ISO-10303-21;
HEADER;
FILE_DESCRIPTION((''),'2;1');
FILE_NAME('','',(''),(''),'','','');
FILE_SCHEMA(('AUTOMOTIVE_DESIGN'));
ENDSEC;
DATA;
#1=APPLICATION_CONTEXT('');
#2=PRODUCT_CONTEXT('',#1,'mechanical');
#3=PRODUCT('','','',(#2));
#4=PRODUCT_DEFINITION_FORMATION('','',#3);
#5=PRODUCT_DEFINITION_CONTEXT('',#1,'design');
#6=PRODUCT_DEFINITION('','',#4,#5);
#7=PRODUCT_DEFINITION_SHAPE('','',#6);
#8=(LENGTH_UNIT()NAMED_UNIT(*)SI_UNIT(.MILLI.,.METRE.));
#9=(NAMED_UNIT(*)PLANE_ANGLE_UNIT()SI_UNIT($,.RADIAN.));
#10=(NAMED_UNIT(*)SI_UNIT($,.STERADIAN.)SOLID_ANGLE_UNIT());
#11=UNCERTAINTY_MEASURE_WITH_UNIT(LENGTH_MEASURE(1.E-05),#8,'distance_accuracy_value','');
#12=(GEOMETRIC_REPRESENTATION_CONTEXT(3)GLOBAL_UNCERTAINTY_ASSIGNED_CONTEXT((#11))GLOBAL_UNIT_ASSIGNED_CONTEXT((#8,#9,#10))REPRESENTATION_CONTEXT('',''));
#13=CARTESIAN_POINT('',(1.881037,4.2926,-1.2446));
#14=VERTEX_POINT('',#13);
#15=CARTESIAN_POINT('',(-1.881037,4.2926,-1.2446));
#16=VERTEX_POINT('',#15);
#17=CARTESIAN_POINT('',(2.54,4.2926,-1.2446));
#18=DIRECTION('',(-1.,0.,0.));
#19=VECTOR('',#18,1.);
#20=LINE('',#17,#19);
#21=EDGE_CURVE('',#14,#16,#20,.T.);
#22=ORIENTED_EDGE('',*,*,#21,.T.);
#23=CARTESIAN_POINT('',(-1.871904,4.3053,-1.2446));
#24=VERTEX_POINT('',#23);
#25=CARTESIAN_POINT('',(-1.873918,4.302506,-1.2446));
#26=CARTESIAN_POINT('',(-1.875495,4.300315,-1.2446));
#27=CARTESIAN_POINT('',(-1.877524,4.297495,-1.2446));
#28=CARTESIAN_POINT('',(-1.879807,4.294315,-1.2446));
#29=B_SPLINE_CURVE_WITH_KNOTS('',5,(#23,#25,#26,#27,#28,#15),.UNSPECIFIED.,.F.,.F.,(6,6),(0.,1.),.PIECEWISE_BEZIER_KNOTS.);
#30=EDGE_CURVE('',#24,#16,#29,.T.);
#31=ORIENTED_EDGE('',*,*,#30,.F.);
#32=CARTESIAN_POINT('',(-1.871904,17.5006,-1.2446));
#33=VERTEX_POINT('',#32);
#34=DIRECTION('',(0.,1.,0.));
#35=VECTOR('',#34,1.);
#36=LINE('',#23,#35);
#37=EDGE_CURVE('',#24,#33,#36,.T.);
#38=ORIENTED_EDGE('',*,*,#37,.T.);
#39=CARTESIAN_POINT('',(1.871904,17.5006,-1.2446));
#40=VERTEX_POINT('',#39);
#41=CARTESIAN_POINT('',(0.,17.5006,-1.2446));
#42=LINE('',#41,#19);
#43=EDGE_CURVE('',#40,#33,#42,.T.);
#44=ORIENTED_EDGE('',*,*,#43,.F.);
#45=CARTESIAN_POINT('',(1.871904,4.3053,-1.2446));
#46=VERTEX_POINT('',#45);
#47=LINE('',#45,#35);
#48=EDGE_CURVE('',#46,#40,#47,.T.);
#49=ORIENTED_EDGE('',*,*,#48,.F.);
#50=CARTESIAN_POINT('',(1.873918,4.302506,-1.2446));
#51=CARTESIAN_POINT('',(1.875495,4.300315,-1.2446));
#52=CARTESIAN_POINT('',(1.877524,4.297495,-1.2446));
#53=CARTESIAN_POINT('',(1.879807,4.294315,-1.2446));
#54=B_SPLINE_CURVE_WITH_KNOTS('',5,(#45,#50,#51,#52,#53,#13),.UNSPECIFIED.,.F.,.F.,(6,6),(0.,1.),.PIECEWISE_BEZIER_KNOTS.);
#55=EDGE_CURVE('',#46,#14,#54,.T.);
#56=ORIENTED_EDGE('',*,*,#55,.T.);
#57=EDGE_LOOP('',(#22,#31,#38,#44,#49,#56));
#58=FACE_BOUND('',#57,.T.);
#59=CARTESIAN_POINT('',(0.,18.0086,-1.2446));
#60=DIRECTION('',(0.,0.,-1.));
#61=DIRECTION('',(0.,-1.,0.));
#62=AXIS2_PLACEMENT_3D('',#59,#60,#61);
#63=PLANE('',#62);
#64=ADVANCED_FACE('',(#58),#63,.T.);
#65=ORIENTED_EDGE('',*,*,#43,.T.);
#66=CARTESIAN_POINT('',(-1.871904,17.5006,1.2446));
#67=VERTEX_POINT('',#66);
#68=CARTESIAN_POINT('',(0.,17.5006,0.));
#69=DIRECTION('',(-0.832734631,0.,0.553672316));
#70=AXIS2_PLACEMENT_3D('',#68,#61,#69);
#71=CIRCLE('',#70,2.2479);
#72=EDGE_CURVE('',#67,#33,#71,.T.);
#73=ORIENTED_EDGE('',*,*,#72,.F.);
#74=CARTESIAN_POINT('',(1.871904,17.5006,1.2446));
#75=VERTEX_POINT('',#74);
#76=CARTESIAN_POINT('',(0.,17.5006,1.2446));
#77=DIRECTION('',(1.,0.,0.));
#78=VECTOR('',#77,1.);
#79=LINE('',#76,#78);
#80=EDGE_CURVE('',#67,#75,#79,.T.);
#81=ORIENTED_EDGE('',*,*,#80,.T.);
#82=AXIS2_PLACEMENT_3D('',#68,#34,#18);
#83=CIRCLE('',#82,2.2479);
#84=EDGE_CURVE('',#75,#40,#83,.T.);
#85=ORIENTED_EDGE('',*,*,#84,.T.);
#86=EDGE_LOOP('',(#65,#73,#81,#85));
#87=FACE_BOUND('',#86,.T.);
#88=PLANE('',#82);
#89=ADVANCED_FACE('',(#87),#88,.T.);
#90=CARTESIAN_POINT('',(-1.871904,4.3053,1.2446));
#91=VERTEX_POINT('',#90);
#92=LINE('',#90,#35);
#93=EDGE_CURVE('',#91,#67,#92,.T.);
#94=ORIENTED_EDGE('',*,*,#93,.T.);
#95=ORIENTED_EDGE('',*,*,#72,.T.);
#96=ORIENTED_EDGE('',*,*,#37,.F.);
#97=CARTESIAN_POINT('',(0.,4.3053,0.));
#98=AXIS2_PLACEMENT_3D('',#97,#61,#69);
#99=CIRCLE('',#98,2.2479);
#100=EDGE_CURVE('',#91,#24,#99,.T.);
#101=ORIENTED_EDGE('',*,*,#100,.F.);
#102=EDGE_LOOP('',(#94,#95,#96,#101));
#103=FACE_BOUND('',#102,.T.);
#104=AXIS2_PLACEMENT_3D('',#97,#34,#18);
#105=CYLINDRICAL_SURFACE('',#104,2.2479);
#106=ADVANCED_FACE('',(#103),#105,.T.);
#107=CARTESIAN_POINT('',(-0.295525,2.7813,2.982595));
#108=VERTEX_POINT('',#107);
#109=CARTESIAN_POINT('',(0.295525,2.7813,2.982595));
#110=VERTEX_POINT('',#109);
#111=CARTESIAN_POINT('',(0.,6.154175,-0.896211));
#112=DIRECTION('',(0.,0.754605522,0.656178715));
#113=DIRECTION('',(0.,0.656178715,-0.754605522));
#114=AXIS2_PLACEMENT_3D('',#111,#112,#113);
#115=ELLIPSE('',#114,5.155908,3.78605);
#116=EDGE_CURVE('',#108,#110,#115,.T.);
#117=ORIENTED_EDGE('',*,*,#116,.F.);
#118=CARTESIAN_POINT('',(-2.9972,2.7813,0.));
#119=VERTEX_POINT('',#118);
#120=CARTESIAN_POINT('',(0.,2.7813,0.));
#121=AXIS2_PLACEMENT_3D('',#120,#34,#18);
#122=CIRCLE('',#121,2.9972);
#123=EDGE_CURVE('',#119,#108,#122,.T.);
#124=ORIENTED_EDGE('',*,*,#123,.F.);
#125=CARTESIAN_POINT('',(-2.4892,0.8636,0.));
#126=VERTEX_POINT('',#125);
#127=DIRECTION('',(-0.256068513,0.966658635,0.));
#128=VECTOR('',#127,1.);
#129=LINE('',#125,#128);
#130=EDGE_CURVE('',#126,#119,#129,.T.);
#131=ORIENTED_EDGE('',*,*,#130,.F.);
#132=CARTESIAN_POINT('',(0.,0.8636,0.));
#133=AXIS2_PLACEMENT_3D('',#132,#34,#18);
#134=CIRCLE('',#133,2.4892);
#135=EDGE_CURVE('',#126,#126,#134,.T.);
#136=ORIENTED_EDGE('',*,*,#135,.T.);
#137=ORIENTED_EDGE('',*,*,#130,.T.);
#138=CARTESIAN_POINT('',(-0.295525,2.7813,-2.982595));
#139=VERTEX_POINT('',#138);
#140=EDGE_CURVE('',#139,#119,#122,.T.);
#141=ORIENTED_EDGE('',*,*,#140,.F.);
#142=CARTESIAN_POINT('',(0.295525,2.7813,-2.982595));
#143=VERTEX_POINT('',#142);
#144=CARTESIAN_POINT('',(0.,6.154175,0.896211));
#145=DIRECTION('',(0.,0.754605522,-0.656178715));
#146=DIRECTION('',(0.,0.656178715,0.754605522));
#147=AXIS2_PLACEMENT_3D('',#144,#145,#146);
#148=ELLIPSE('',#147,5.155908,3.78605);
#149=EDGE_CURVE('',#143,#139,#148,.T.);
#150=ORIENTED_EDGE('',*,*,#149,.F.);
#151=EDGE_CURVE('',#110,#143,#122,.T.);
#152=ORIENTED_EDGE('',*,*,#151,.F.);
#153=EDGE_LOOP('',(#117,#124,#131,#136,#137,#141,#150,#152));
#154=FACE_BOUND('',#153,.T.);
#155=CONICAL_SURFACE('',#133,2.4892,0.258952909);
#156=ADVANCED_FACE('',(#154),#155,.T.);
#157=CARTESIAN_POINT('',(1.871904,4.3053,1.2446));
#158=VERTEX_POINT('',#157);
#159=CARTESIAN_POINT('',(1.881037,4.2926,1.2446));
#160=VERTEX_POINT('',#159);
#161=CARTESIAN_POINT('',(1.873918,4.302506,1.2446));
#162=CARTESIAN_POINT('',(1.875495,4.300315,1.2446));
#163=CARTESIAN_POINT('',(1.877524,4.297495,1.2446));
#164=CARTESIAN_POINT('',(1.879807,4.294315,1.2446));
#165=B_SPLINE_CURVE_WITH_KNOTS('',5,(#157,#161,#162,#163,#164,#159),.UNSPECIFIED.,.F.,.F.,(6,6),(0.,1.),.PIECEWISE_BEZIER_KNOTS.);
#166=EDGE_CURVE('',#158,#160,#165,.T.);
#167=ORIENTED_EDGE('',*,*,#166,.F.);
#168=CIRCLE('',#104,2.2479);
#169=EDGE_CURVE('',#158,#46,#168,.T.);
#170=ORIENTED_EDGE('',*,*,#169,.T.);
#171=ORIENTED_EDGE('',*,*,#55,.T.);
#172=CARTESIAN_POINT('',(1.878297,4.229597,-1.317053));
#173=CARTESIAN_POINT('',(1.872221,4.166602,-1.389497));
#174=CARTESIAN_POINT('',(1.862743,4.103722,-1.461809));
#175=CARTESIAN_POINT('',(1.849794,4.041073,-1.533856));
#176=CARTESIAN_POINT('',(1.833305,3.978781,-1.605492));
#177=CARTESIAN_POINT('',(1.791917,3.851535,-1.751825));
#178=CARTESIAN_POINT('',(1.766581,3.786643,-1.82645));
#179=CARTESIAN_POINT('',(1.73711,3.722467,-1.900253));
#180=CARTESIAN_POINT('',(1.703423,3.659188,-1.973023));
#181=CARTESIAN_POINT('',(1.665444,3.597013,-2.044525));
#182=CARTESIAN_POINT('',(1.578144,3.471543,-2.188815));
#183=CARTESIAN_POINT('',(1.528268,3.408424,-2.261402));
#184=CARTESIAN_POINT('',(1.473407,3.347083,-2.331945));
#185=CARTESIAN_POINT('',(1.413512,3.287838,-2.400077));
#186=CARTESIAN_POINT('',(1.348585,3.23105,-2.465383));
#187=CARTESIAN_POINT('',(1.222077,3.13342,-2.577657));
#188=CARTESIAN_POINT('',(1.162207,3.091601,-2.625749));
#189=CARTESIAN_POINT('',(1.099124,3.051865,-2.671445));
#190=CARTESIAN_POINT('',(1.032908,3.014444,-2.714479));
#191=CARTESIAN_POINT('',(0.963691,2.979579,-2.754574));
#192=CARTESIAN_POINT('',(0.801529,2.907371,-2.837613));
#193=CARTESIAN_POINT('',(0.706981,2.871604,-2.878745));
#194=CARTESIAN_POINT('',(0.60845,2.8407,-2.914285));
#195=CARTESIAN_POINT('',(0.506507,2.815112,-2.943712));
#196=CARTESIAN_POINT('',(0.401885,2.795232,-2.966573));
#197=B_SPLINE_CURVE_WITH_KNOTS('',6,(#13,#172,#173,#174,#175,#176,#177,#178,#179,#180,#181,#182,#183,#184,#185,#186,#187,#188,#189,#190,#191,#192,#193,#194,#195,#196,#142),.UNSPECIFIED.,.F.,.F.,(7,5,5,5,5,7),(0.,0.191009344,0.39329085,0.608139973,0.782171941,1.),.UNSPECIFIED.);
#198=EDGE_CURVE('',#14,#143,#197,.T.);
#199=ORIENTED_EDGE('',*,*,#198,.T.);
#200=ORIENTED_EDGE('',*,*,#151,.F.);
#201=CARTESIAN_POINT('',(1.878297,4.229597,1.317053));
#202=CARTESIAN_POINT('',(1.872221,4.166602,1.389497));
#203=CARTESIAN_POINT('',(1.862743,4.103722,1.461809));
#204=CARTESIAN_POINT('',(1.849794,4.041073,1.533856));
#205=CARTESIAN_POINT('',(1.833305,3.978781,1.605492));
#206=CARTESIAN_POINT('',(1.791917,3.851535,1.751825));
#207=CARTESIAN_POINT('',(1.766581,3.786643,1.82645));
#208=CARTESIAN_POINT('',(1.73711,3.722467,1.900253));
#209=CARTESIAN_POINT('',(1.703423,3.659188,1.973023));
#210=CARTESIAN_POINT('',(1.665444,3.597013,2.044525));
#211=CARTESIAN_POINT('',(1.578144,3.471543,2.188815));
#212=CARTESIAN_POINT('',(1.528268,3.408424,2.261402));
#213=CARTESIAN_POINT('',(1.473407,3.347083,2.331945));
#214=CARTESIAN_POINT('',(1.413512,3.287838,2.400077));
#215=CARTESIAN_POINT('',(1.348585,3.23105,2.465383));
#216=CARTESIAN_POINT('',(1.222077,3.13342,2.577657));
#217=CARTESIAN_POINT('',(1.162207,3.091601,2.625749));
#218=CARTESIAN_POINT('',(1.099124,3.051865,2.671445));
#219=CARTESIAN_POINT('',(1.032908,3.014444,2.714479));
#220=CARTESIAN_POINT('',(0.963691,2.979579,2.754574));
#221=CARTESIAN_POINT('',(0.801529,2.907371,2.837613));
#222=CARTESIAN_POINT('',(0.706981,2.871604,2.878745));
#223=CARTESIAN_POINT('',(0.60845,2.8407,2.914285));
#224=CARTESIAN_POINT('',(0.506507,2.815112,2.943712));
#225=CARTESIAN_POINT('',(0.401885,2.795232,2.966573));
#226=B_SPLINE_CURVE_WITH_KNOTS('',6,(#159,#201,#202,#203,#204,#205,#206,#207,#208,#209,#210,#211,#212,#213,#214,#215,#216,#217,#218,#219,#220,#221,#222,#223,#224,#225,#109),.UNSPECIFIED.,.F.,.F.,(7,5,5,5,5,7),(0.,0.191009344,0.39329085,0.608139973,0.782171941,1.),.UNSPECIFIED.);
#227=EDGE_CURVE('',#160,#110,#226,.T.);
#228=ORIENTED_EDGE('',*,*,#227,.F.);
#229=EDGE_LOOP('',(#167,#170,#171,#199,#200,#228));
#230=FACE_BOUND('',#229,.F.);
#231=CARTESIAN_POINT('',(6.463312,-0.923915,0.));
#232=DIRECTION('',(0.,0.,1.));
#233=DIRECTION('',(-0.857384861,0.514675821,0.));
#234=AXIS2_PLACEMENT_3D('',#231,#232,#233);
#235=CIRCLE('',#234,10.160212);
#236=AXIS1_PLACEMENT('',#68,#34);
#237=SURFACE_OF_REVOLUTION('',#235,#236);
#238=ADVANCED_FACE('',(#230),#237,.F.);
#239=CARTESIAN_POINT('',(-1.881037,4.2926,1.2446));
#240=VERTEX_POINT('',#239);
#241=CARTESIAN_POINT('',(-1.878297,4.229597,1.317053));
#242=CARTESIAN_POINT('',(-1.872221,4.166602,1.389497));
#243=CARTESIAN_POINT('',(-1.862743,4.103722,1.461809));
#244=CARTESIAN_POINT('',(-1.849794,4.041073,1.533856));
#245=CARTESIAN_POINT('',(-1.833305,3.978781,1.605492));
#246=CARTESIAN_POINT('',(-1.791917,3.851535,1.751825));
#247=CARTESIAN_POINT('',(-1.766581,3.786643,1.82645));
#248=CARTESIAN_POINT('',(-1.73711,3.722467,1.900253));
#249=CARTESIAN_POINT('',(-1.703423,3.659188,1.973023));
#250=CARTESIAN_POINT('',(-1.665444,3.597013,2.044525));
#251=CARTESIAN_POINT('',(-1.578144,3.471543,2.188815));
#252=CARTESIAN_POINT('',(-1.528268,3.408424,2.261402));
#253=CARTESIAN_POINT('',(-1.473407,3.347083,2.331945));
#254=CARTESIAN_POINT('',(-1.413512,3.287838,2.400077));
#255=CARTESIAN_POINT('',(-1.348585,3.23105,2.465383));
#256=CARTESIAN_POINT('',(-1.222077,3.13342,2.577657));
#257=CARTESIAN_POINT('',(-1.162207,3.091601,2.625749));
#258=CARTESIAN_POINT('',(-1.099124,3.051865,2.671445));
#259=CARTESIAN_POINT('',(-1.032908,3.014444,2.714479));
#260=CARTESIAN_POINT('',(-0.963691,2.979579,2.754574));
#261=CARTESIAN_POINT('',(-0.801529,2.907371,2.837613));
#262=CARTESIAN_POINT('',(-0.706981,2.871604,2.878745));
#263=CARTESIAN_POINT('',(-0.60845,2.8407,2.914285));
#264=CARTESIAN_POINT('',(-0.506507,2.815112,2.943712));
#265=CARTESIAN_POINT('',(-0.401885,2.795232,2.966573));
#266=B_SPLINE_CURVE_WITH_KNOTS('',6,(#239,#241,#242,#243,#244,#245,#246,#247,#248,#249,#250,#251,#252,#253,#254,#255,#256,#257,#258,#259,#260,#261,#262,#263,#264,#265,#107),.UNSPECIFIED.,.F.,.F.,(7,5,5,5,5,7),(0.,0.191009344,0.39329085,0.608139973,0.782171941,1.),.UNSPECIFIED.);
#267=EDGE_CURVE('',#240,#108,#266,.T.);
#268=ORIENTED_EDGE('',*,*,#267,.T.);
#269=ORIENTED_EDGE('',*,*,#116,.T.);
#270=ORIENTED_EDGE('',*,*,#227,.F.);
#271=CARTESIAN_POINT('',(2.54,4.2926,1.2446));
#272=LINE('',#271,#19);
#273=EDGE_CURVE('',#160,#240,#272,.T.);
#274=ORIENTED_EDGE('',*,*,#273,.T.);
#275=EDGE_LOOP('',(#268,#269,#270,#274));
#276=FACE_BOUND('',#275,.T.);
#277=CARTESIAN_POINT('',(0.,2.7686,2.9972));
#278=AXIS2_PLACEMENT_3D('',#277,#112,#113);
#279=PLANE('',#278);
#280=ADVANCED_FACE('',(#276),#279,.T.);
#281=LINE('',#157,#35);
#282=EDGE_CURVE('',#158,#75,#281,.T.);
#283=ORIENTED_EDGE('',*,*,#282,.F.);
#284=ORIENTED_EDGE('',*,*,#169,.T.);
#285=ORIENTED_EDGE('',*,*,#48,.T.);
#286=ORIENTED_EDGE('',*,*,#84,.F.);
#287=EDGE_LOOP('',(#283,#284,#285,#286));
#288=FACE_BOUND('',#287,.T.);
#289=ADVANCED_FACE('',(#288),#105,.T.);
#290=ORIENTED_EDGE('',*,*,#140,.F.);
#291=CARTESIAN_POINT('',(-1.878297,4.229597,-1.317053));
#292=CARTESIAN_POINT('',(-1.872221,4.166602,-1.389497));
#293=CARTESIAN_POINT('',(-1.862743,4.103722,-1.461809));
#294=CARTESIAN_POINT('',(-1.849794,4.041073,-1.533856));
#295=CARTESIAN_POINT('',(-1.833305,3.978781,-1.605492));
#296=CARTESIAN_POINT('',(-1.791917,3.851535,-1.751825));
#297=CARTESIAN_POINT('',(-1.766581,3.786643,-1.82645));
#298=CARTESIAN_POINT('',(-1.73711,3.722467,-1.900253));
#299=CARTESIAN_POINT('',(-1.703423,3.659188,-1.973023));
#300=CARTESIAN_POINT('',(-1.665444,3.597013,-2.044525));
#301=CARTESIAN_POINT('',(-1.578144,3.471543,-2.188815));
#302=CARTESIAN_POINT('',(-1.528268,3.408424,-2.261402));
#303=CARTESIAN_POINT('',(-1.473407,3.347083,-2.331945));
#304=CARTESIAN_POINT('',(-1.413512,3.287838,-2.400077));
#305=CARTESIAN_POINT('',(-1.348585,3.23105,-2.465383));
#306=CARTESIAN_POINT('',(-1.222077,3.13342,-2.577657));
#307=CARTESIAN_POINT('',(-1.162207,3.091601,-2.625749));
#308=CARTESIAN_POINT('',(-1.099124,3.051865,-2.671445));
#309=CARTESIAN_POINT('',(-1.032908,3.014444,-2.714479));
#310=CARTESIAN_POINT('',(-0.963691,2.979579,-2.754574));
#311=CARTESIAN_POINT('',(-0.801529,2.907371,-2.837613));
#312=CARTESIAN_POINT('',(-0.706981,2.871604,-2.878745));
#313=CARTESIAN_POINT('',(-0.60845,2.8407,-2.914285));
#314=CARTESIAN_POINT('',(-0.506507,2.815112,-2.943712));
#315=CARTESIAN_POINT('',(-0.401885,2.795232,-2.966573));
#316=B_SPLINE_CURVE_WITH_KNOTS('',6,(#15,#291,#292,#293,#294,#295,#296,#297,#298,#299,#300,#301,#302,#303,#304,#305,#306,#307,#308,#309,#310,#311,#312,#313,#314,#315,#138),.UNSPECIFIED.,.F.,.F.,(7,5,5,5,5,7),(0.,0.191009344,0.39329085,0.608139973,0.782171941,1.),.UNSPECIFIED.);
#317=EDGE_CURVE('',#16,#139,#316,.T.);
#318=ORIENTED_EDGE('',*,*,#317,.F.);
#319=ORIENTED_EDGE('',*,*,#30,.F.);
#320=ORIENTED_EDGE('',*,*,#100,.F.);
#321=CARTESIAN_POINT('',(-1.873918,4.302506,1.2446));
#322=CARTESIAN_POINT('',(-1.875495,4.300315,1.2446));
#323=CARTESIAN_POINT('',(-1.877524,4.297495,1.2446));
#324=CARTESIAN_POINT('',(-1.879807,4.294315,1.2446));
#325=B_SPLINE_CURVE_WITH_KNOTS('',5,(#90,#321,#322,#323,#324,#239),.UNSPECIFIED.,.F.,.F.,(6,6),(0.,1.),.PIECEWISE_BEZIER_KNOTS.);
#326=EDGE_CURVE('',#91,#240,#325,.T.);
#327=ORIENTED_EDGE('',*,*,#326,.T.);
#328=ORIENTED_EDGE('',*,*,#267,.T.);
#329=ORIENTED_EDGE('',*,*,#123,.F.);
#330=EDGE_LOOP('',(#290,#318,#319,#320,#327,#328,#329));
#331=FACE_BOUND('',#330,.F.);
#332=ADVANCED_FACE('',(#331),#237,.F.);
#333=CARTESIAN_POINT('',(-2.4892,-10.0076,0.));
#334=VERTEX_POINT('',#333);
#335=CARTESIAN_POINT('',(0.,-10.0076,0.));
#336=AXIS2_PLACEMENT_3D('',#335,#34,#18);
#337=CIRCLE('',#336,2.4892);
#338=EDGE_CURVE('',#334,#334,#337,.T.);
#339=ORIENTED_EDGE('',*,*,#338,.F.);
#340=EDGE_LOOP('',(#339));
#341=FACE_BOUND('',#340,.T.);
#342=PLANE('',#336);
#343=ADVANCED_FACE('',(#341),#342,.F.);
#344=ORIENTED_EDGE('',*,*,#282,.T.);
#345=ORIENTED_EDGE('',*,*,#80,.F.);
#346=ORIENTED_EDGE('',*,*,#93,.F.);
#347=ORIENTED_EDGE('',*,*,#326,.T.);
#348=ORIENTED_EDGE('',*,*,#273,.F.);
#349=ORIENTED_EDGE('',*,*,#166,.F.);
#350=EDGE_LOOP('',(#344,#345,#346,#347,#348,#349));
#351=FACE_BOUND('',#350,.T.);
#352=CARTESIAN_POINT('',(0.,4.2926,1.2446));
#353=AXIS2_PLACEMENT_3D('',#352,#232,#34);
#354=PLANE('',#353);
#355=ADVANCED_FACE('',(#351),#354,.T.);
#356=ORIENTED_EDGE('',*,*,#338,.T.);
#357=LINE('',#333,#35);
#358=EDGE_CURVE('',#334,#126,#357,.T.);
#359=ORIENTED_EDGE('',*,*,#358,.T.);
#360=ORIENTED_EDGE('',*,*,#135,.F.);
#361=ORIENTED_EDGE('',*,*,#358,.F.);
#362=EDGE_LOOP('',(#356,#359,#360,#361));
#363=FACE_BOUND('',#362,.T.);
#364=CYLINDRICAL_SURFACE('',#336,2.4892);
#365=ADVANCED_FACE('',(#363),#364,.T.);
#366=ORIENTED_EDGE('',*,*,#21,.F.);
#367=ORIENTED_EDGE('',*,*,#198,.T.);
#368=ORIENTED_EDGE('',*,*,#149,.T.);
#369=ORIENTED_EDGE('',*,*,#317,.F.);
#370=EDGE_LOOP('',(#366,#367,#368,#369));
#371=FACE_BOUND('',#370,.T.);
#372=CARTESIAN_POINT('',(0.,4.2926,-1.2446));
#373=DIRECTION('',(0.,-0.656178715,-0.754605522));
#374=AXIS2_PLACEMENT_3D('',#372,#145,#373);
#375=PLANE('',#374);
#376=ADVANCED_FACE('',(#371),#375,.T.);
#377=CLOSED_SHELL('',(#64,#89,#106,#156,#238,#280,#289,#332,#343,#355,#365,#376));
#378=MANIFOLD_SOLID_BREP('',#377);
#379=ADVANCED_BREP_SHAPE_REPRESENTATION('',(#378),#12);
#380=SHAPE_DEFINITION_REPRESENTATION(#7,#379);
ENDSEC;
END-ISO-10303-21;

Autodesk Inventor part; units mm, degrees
sketch "Sketch_1" plane through (0, 0, 0) normal (0, 0, 1) x (1, 0, 0)
  line L0 (0, 17.5006) -> (0, -10.0076)
  line L1 (0, -10.0076) -> (-2.4892, -10.0076)
  line L2 (-2.4892, -10.0076) -> (-2.4892, 0.8636)
  line L3 (-2.4892, 0.8636) -> (-2.9972, 2.7813)
  arc A0 (-2.2479, 4.3053) -> (-2.9972, 2.7813) centre (6.4631, -0.9238) ccw
  line L4 (-2.2479, 4.3053) -> (-2.2479, 17.5006)
  line L5 (-2.2479, 17.5006) -> (0, 17.5006)
  line L6 (0, 17.5006) -> (0, -10.0076)
revolve "Revolution1" add sketch "Sketch_1" angle 360 about axis through (0, 17.5006, 0) along (0, 1, 0)
sketch "Sketch_2" plane through (0, 0, 0) normal (1, 0, 0) x (0, 1, 0)
  line L0 (18.7706, 4.0132) -> (0.9906, 4.0132)
  line L1 (0.9906, 4.0132) -> (0.9906, 2.9972)
  line L2 (0.9906, 2.9972) -> (2.7686, 2.9972)
  line L3 (2.7686, 2.9972) -> (4.2926, 1.2446)
  line L4 (4.2926, 1.2446) -> (18.0086, 1.2446)
  line L5 (18.0086, 1.2446) -> (18.0086, -1.2446)
  line L6 (18.0086, -1.2446) -> (4.2926, -1.2446)
  line L7 (4.2926, -1.2446) -> (2.7686, -2.9972)
  line L8 (2.7686, -2.9972) -> (0.9906, -2.9972)
  line L9 (0.9906, -2.9972) -> (0.9906, -4.0132)
  line L10 (0.9906, -4.0132) -> (18.7706, -4.0132)
  line L11 (18.7706, -4.0132) -> (18.7706, 4.0132)
extrude "Extrusion1" cut sketch "Sketch_2" along normal mid plane 5.08
ref_plane "toggle17_5_to_body_XY" through (0, 0, 0.254) normal (0, 1, 0) x (1, 0, 0)
ref_plane "toggle17_5_to_body_YZ" through (0, 0, 0.254) normal (1, 0, 0) x (0, 0, -1)
ref_plane "toggle17_5_to_body_ZX" through (0, 0, 0.254) normal (0, 0, -1) x (0, 1, 0)
properties part number "tl5CC-17.5mmtoggle"
